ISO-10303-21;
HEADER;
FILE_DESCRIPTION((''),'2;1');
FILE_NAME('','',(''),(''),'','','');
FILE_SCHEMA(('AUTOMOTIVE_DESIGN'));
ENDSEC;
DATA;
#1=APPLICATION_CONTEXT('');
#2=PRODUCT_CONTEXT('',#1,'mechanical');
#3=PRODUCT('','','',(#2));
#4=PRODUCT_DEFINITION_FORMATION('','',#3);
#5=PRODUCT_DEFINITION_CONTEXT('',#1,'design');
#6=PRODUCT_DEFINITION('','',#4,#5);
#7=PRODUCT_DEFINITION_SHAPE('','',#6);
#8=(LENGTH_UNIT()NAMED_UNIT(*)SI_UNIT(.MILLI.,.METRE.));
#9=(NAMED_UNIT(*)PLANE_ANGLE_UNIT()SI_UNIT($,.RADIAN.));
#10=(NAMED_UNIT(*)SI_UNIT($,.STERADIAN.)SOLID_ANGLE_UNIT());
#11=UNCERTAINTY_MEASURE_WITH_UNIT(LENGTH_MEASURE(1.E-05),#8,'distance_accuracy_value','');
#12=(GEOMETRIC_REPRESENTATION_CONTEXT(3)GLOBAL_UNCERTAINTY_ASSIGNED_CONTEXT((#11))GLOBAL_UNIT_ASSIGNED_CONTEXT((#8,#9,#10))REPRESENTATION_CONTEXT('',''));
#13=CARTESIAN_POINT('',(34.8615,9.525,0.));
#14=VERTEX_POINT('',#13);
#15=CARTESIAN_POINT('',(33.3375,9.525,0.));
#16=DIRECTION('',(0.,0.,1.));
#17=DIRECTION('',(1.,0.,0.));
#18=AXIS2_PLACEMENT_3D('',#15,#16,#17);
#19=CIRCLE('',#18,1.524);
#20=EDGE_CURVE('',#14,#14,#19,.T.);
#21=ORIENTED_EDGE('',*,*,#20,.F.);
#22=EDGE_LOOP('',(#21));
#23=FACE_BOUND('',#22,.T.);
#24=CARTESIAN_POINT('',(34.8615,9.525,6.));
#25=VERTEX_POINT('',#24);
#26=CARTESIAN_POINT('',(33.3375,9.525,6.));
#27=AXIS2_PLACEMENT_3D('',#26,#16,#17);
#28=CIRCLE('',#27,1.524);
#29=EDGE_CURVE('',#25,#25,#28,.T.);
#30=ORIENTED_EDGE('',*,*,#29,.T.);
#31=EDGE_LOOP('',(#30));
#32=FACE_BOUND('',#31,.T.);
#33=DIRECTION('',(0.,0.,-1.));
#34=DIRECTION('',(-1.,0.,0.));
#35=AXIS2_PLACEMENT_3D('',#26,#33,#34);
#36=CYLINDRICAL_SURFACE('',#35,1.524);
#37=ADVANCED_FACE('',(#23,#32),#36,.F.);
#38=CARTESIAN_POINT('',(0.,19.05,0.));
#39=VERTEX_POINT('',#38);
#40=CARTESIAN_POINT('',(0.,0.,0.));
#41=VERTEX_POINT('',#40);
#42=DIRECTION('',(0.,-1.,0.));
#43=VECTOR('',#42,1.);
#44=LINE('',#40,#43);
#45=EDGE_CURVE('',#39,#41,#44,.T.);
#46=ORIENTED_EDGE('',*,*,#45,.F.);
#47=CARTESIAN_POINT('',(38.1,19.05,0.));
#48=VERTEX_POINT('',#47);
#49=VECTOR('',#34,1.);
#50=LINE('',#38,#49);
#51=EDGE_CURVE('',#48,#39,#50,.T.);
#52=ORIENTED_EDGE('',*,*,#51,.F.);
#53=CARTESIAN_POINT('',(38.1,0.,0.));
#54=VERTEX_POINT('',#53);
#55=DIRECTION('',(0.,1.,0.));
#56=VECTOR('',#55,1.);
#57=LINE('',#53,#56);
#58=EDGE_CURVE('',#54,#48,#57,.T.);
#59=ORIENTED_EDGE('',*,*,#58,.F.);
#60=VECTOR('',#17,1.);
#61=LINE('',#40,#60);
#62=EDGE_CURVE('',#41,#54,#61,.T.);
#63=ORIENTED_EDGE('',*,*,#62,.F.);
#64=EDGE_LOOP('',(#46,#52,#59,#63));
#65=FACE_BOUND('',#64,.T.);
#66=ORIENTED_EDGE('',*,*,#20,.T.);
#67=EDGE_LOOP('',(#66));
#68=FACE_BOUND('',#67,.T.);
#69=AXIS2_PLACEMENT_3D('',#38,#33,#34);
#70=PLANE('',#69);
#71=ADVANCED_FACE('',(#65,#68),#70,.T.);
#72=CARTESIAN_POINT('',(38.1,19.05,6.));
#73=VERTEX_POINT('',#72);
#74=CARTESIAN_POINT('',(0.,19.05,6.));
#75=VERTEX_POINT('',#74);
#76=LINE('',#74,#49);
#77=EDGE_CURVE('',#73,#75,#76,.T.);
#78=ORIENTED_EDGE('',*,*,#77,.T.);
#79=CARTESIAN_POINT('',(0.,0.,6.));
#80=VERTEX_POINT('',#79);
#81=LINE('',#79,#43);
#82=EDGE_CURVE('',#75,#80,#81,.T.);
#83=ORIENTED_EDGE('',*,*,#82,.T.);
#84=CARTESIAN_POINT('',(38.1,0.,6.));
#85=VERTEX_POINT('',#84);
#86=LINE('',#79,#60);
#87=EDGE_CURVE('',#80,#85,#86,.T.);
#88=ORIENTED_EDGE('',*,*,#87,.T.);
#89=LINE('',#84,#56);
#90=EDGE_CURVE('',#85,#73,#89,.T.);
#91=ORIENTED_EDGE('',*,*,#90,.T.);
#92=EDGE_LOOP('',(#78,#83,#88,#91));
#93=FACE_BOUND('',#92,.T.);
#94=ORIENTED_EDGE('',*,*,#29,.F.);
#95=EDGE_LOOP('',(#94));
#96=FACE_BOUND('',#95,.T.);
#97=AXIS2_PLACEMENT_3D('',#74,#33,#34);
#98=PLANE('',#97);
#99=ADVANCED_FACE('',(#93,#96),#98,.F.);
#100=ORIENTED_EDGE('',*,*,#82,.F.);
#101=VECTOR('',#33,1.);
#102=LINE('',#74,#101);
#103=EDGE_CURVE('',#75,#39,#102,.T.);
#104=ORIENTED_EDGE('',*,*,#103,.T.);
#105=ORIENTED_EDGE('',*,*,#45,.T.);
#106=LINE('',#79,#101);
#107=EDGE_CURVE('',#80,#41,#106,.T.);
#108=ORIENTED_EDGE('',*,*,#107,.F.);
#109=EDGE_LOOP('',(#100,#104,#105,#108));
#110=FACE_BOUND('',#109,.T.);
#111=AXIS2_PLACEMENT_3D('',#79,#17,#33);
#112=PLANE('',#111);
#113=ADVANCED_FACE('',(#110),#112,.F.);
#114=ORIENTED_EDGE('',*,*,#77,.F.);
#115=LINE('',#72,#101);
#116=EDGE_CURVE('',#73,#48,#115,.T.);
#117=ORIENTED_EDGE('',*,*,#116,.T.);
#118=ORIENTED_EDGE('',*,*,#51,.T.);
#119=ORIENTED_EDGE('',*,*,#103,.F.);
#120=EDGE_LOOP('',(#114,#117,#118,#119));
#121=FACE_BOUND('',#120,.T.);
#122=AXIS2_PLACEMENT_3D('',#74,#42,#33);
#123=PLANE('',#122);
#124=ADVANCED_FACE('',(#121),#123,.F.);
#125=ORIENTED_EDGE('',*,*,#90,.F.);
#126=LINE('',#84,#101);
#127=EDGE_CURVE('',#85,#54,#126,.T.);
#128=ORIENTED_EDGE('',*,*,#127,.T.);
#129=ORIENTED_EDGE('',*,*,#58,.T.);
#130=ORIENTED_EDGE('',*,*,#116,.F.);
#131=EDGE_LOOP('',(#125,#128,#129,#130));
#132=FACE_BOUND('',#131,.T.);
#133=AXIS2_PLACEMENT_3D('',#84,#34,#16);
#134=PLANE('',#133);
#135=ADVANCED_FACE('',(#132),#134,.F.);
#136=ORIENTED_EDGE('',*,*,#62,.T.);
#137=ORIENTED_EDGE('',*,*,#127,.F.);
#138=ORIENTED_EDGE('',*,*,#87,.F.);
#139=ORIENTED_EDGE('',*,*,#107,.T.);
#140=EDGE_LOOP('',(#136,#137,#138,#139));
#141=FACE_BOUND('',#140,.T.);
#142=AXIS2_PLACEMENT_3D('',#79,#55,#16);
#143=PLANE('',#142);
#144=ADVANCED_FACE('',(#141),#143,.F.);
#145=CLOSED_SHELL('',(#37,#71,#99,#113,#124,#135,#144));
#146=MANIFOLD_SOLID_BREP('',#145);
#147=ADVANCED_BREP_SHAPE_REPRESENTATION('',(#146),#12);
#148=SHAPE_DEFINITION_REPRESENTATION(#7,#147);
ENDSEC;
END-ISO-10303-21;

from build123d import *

# Parameters (mm, degrees)
SKETCH1_W           = 38.1
SKETCH1_H           = 19.05
SKETCH1_R           = 1.524
BOSS_EXTRUDE1_DEPTH = 6


with BuildPart() as part:
    # Sketch1 → Boss-Extrude1 (new body)
    with BuildSketch(Plane.XY):
        with Locations((19.05, 9.525)):
            Rectangle(SKETCH1_W, SKETCH1_H)
        with Locations((33.3375, 9.525)):
            Circle(SKETCH1_R, mode=Mode.SUBTRACT)
    extrude(amount=BOSS_EXTRUDE1_DEPTH)


solid = part.part
